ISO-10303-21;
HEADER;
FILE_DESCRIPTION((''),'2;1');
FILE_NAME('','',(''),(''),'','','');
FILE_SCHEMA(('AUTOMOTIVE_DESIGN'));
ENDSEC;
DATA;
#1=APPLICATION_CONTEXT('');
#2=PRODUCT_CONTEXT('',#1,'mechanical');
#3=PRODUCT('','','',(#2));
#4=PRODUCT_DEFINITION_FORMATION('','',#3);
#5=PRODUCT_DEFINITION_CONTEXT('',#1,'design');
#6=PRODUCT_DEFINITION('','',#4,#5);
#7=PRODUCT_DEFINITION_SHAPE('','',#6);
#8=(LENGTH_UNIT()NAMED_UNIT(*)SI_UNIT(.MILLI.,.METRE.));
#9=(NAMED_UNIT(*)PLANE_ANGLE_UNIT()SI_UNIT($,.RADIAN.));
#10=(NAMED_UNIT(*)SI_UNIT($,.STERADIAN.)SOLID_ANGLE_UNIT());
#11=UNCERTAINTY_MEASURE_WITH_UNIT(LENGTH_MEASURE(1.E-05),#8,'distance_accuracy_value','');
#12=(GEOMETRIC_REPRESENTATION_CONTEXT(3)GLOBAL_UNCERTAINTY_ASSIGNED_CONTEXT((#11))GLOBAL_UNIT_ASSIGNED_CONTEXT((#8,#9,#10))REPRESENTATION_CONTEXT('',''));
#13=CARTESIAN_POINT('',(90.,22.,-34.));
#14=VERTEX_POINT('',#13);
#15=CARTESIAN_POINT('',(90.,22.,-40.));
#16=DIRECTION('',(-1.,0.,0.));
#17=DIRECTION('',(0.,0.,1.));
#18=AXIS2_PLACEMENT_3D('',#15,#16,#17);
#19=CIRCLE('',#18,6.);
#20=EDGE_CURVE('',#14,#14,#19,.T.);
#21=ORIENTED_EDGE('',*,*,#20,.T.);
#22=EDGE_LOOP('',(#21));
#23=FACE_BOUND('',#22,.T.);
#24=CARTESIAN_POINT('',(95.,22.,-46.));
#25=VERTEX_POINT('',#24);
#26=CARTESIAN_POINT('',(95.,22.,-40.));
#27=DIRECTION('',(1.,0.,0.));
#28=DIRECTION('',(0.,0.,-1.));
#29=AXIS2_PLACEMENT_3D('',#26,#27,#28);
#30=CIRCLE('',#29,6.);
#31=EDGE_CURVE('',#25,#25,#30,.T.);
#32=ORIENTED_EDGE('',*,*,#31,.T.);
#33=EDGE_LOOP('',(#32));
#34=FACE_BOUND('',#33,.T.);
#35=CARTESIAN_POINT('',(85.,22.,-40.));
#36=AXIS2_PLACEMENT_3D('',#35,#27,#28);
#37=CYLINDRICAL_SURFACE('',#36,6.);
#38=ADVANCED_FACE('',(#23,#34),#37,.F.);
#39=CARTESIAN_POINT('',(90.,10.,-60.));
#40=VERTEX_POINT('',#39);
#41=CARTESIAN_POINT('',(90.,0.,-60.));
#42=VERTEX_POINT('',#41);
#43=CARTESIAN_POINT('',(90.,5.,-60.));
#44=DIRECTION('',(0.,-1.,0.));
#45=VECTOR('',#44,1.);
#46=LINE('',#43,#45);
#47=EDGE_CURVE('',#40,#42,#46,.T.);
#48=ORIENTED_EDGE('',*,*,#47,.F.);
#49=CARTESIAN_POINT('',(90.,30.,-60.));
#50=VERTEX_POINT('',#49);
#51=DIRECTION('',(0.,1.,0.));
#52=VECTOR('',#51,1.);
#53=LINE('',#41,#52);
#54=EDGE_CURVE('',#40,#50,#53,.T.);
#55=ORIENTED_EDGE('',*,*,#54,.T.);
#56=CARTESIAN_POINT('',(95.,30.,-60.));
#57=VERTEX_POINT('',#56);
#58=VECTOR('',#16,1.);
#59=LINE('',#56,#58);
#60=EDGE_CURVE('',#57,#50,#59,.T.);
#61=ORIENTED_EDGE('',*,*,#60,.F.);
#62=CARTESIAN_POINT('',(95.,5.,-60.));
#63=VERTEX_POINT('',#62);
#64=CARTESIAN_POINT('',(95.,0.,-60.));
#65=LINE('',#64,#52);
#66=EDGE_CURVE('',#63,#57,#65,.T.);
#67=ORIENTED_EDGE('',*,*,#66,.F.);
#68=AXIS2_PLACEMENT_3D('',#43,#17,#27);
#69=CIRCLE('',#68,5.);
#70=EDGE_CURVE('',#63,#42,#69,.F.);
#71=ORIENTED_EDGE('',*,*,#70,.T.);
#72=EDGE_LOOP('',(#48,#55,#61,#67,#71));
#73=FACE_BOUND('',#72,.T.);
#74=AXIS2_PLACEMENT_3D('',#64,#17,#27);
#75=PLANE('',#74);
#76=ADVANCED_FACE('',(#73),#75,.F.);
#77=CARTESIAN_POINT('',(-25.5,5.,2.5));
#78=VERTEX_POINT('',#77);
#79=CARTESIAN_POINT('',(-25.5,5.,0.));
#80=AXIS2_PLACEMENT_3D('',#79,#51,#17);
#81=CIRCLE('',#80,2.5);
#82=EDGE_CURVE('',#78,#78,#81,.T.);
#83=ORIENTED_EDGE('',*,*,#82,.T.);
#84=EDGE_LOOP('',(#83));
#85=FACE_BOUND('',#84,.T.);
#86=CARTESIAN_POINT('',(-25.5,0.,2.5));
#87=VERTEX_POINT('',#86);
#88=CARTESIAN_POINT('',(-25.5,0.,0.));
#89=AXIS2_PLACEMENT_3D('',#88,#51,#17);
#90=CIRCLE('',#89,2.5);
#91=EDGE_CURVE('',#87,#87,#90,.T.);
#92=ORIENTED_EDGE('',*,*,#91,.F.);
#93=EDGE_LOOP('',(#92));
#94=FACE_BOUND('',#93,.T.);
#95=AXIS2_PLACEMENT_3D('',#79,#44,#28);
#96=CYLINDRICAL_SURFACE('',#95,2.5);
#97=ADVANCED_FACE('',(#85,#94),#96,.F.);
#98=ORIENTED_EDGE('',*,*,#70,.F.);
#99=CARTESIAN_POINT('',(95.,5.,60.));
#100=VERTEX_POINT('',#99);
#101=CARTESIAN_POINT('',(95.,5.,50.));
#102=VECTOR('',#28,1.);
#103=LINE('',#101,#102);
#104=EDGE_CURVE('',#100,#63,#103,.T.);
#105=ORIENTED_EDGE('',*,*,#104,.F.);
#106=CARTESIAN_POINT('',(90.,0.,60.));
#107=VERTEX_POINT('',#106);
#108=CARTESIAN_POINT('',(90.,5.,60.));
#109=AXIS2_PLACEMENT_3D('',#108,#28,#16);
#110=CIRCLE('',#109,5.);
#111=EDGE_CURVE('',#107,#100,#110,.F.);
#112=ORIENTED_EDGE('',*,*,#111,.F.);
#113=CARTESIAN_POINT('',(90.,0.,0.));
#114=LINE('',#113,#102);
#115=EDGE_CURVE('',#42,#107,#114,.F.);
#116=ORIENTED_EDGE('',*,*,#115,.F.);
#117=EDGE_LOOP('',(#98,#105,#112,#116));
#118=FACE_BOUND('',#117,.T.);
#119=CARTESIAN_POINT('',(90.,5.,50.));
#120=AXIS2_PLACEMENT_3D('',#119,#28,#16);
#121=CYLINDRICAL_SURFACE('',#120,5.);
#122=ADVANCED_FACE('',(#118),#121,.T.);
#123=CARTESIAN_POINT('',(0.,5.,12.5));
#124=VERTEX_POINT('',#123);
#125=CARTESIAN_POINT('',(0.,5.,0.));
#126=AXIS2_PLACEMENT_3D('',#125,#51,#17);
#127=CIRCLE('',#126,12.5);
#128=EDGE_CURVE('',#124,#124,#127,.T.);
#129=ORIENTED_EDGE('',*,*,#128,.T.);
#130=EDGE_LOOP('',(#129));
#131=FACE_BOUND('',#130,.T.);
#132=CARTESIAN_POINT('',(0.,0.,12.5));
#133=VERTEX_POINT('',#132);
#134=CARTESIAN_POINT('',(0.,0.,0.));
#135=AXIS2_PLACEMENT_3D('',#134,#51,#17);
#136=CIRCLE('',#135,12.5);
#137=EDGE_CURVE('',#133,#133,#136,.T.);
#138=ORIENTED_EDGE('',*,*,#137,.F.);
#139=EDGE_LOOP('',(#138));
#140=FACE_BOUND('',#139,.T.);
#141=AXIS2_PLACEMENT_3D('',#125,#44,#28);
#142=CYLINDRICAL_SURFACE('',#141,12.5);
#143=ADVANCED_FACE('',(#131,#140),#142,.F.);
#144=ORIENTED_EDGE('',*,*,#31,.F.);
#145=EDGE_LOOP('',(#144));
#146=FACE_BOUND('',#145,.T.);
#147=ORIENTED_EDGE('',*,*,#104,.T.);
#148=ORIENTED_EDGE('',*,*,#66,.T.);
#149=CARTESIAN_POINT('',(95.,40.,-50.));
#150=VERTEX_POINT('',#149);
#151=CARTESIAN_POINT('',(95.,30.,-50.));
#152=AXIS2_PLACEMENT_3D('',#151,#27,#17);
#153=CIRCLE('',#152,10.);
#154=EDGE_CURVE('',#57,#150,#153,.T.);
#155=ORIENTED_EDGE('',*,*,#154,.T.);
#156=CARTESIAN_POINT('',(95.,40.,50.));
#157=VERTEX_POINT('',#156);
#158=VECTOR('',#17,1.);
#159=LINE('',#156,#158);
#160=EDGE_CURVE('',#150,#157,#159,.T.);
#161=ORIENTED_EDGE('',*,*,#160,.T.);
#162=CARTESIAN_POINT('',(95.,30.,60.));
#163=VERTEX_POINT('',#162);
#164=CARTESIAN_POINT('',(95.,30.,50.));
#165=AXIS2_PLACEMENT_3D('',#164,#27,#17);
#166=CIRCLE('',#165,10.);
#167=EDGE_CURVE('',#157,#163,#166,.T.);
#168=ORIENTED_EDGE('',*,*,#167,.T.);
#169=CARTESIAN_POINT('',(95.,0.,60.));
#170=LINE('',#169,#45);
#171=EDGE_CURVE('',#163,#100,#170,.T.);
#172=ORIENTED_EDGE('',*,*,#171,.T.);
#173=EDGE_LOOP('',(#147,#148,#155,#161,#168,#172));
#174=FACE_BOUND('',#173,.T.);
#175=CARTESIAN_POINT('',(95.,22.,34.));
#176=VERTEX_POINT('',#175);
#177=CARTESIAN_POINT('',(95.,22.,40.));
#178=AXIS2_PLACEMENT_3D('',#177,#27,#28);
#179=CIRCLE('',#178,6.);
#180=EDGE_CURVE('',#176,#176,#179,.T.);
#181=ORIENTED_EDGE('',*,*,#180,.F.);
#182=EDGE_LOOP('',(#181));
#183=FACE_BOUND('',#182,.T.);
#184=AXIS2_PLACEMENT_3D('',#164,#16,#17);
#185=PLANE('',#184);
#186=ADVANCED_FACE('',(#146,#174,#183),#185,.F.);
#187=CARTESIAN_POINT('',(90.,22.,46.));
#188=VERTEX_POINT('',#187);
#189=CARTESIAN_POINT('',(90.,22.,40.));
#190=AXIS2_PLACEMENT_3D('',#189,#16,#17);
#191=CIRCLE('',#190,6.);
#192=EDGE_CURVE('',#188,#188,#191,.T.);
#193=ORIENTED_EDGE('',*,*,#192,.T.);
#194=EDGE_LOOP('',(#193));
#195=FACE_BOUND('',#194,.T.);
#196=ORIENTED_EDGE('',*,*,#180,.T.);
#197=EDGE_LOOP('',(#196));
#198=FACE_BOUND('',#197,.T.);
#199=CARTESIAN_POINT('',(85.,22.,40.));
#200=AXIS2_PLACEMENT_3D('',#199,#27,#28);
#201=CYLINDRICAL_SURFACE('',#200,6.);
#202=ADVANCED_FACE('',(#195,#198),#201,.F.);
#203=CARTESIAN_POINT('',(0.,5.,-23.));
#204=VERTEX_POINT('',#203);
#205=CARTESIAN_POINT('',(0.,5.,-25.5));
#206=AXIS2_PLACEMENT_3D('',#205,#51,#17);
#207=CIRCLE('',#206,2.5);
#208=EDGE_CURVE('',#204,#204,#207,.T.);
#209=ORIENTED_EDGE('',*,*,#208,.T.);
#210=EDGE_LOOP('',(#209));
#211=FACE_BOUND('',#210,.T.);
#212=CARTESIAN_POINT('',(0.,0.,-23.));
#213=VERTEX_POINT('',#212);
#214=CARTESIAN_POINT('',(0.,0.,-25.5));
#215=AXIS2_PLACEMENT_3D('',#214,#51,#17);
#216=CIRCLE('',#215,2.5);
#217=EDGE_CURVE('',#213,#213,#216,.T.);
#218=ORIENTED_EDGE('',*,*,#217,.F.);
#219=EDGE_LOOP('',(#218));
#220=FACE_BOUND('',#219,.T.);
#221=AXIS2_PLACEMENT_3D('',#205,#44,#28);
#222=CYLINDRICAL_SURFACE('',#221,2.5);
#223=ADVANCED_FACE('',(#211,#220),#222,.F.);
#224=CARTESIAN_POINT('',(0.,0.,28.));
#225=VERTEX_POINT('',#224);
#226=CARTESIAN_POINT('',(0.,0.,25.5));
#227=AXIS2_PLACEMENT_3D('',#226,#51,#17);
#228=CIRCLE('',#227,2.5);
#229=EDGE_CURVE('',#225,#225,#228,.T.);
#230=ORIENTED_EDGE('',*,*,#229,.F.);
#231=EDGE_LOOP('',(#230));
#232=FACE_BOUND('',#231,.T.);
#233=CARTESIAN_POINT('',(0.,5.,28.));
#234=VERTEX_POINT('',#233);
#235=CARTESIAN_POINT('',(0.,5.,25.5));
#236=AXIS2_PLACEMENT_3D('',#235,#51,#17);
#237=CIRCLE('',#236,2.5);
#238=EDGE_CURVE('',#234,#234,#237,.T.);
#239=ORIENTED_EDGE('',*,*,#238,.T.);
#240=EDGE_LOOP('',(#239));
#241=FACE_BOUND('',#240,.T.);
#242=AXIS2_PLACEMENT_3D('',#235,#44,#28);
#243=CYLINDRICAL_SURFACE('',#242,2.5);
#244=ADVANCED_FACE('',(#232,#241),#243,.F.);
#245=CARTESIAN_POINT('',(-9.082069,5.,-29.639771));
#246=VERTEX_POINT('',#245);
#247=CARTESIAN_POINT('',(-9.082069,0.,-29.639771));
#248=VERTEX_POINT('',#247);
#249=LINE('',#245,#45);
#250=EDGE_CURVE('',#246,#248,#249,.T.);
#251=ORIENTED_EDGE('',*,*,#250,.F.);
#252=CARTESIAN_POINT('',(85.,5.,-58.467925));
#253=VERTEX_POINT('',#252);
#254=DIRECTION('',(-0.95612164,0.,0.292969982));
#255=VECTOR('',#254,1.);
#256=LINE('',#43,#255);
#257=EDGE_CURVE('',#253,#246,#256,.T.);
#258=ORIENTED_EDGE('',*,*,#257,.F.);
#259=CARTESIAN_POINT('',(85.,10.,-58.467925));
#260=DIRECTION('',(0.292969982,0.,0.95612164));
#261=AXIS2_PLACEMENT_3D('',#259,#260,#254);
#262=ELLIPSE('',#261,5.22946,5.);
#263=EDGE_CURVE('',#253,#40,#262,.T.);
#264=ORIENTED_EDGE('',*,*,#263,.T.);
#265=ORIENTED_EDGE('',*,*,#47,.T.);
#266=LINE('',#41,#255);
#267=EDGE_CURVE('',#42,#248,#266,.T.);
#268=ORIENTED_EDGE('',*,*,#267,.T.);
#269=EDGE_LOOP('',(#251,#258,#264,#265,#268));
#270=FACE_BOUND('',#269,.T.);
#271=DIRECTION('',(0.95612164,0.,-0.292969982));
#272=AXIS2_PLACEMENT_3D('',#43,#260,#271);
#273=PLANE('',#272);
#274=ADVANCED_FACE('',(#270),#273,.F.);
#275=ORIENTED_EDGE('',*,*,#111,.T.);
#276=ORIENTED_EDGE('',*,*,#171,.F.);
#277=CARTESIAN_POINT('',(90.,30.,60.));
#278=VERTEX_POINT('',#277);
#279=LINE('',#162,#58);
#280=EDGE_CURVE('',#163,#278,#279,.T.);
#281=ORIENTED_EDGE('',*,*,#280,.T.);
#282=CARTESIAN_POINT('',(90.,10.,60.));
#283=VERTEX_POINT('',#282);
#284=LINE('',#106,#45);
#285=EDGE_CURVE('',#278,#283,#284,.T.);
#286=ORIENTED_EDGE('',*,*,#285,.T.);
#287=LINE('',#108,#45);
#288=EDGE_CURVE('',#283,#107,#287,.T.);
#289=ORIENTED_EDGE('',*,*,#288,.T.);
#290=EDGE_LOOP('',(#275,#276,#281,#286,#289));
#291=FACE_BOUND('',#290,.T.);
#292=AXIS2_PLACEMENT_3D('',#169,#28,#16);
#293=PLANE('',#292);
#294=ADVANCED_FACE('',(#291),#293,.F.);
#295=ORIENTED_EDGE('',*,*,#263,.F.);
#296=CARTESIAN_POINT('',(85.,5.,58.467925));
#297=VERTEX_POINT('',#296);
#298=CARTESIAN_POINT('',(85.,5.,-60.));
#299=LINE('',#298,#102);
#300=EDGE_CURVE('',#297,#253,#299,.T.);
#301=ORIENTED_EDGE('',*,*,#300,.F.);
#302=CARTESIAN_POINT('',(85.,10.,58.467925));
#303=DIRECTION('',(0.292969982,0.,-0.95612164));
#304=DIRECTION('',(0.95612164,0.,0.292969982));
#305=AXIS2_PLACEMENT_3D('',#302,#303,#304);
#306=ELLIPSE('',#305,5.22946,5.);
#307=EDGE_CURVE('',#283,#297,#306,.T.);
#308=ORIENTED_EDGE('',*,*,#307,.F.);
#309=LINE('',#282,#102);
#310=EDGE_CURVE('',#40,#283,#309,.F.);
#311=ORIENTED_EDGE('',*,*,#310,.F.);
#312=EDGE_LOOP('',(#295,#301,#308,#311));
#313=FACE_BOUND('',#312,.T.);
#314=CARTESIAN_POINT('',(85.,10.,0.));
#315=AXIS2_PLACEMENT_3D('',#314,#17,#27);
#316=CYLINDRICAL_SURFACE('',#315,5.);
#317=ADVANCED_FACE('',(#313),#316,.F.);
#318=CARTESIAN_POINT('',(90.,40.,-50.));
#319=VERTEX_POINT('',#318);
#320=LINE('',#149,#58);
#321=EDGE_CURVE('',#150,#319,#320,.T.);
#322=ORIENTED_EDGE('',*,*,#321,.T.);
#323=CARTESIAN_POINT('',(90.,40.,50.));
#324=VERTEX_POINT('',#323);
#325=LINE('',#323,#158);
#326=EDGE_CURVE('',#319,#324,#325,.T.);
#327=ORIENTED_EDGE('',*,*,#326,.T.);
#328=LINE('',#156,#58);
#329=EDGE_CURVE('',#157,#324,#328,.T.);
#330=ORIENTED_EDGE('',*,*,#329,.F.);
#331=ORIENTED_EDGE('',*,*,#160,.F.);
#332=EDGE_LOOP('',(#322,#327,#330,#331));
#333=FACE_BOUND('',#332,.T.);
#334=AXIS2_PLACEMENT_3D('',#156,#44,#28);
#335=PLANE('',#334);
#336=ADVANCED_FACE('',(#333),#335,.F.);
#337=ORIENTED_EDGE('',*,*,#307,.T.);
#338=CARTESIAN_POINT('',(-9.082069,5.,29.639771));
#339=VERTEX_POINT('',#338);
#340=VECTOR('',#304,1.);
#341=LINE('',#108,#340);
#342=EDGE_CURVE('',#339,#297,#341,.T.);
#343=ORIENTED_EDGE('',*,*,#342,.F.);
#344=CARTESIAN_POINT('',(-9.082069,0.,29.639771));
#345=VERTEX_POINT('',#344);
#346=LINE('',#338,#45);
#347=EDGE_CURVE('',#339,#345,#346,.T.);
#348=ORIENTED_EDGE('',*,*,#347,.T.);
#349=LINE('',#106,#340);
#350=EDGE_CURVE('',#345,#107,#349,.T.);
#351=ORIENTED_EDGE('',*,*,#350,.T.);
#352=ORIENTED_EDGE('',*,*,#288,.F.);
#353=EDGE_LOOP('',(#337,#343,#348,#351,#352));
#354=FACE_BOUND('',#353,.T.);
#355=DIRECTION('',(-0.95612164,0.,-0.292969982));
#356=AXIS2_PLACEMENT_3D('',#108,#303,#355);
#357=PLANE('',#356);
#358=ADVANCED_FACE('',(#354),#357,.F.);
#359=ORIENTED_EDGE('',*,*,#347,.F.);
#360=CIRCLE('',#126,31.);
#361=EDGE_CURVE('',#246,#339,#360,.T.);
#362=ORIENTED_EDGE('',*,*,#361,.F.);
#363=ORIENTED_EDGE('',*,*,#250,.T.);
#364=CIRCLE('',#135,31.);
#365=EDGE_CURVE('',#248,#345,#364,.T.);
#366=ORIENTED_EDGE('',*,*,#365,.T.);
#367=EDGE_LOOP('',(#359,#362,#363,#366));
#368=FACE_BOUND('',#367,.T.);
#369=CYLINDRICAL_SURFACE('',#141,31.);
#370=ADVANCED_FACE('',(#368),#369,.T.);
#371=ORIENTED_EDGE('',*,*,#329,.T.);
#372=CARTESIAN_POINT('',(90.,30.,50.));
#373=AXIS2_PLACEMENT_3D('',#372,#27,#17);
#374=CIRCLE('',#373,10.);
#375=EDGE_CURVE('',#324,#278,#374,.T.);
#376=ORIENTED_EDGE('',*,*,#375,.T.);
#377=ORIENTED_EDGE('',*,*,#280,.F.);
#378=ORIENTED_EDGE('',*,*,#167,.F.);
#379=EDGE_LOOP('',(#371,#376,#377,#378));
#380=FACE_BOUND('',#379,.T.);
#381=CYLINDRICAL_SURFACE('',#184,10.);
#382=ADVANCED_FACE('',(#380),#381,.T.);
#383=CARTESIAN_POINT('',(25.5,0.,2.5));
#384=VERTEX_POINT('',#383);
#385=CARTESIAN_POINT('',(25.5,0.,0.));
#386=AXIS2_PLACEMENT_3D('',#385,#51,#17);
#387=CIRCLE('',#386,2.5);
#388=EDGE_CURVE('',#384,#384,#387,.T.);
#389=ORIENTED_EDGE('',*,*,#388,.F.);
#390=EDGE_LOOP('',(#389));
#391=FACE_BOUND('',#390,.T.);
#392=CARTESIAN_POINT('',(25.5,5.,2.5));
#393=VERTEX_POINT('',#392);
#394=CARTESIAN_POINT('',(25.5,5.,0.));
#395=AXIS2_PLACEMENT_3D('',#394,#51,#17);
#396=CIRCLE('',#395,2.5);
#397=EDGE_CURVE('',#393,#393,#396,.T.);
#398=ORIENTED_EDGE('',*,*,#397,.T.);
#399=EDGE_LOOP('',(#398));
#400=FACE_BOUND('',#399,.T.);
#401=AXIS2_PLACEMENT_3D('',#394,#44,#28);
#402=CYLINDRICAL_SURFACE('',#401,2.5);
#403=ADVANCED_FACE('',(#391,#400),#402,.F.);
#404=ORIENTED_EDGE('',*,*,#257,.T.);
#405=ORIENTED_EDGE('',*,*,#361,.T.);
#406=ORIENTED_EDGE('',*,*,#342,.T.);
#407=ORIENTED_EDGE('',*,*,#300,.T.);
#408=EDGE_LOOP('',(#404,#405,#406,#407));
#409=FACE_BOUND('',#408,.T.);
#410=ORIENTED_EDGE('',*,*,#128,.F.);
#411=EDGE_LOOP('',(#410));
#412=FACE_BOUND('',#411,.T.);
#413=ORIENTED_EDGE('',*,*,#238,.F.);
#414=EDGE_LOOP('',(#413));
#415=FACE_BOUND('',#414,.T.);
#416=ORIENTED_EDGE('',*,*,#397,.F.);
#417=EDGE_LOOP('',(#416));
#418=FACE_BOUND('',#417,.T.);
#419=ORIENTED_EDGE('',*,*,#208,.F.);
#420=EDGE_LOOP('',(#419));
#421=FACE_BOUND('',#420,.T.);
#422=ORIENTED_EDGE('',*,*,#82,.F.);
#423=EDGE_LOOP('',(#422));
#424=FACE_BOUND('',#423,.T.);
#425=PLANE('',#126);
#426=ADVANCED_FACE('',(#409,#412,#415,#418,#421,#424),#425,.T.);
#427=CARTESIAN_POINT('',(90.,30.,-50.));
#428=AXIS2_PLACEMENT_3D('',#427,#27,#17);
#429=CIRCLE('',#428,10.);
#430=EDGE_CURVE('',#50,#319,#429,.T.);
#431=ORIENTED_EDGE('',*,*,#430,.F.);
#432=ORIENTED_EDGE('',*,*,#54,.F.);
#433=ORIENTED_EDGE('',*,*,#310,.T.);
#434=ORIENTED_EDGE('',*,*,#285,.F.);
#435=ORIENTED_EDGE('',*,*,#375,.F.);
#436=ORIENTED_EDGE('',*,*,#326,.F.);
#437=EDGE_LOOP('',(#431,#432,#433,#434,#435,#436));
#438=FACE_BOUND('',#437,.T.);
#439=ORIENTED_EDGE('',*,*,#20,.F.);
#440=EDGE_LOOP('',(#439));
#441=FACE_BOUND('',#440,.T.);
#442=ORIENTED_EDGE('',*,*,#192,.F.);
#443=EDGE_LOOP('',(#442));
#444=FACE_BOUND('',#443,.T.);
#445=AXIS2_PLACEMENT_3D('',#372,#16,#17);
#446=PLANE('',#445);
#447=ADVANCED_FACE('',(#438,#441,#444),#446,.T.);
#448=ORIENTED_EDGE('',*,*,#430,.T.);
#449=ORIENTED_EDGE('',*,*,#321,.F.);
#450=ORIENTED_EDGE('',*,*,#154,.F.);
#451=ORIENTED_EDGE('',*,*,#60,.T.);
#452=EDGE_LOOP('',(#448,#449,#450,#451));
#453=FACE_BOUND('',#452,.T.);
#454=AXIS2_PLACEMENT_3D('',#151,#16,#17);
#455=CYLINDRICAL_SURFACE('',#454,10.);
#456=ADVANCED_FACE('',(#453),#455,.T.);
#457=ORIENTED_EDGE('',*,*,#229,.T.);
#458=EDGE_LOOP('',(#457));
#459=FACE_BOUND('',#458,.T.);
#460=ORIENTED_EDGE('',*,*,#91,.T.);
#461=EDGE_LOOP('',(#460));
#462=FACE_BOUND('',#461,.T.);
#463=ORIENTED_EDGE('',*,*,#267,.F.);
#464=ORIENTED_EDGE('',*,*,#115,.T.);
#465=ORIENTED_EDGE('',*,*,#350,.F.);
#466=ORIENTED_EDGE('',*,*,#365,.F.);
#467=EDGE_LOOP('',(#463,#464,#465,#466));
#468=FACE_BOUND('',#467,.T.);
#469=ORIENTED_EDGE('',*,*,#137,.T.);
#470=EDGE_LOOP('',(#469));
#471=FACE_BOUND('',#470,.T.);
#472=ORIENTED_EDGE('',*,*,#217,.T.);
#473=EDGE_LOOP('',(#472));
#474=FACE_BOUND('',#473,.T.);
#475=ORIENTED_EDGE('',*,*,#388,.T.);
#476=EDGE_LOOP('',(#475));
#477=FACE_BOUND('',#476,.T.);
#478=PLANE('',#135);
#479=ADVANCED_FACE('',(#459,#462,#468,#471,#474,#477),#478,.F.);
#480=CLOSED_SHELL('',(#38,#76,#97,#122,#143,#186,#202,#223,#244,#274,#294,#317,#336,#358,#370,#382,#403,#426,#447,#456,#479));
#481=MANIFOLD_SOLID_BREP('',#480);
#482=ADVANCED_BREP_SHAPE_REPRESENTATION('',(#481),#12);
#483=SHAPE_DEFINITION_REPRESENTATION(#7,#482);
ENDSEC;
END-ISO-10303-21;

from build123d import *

# Parameters (mm, degrees)
SKETCH1_R           = 2.5
SKETCH1_R_2         = 12.5
BOSS_EXTRUDE1_DEPTH = 5
BOSS_EXTRUDE2_DEPTH = 5
FILLET1_R           = 5
SKETCH3_R           = 6
CUT_EXTRUDE1_DEPTH  = 10


with BuildPart() as part:
    # Sketch1 → Boss-Extrude1 (new body)
    with BuildSketch(Plane(origin=(0, 0, 0), x_dir=(1, 0, 0), z_dir=(0, 1, 0))):
        with BuildLine():
            Line((90, 60), (90, -60))
            Line((90, -60), (-9.08206944, -29.639770827))
            ThreePointArc((-9.08206944, -29.639770827), (-31, 0), (-9.08206944, 29.639770827))
            Line((-9.08206944, 29.639770827), (90, 60))
        make_face()
        with Locations(Location((0, 25.5, 0), (0, 0, 270))):
            Circle(SKETCH1_R, mode=Mode.SUBTRACT)
        with Locations(Location((-25.5, 0, 0), (0, 0, 270))):
            Circle(SKETCH1_R, mode=Mode.SUBTRACT)
        with Locations(Location((25.5, 0, 0), (0, 0, 270))):
            Circle(SKETCH1_R, mode=Mode.SUBTRACT)
        with Locations(Location((0, -25.5, 0), (0, 0, 270))):
            Circle(SKETCH1_R, mode=Mode.SUBTRACT)
        with Locations(Location((0, 0, 0), (0, 0, 270))):
            Circle(SKETCH1_R_2, mode=Mode.SUBTRACT)
    extrude(amount=BOSS_EXTRUDE1_DEPTH)

    # Sketch2 → Boss-Extrude2 (add)
    with BuildSketch(Plane(origin=(90, 0, 0), x_dir=(0, 0, -1), z_dir=(1, 0, 0))):
        with BuildLine():
            Line((-60, 0), (60, 0))
            Line((60, 0), (60, 30))
            ThreePointArc((60, 30), (57.071067812, 37.071067812), (50, 40))
            Line((50, 40), (-50, 40))
            ThreePointArc((-50, 40), (-57.071067812, 37.071067812), (-60, 30))
            Line((-60, 30), (-60, 0))
        make_face()
    extrude(amount=BOSS_EXTRUDE2_DEPTH)

    # Fillet1
    fillet1_edges = [part.edges().sort_by_distance(p)[0] for p in [
        (95, 0, 0),
        (90, 5, 0),
    ]]
    fillet(fillet1_edges, radius=FILLET1_R)

    # Sketch3 → Cut-Extrude1 (cut)
    with BuildSketch(Plane(origin=(95, 0, 0), x_dir=(0, 0, -1), z_dir=(1, 0, 0))):
        with Locations((-40, 22)):
            Circle(SKETCH3_R)
        with Locations((40, 22)):
            Circle(SKETCH3_R)
    extrude(amount=-CUT_EXTRUDE1_DEPTH, mode=Mode.SUBTRACT)


solid = part.part
